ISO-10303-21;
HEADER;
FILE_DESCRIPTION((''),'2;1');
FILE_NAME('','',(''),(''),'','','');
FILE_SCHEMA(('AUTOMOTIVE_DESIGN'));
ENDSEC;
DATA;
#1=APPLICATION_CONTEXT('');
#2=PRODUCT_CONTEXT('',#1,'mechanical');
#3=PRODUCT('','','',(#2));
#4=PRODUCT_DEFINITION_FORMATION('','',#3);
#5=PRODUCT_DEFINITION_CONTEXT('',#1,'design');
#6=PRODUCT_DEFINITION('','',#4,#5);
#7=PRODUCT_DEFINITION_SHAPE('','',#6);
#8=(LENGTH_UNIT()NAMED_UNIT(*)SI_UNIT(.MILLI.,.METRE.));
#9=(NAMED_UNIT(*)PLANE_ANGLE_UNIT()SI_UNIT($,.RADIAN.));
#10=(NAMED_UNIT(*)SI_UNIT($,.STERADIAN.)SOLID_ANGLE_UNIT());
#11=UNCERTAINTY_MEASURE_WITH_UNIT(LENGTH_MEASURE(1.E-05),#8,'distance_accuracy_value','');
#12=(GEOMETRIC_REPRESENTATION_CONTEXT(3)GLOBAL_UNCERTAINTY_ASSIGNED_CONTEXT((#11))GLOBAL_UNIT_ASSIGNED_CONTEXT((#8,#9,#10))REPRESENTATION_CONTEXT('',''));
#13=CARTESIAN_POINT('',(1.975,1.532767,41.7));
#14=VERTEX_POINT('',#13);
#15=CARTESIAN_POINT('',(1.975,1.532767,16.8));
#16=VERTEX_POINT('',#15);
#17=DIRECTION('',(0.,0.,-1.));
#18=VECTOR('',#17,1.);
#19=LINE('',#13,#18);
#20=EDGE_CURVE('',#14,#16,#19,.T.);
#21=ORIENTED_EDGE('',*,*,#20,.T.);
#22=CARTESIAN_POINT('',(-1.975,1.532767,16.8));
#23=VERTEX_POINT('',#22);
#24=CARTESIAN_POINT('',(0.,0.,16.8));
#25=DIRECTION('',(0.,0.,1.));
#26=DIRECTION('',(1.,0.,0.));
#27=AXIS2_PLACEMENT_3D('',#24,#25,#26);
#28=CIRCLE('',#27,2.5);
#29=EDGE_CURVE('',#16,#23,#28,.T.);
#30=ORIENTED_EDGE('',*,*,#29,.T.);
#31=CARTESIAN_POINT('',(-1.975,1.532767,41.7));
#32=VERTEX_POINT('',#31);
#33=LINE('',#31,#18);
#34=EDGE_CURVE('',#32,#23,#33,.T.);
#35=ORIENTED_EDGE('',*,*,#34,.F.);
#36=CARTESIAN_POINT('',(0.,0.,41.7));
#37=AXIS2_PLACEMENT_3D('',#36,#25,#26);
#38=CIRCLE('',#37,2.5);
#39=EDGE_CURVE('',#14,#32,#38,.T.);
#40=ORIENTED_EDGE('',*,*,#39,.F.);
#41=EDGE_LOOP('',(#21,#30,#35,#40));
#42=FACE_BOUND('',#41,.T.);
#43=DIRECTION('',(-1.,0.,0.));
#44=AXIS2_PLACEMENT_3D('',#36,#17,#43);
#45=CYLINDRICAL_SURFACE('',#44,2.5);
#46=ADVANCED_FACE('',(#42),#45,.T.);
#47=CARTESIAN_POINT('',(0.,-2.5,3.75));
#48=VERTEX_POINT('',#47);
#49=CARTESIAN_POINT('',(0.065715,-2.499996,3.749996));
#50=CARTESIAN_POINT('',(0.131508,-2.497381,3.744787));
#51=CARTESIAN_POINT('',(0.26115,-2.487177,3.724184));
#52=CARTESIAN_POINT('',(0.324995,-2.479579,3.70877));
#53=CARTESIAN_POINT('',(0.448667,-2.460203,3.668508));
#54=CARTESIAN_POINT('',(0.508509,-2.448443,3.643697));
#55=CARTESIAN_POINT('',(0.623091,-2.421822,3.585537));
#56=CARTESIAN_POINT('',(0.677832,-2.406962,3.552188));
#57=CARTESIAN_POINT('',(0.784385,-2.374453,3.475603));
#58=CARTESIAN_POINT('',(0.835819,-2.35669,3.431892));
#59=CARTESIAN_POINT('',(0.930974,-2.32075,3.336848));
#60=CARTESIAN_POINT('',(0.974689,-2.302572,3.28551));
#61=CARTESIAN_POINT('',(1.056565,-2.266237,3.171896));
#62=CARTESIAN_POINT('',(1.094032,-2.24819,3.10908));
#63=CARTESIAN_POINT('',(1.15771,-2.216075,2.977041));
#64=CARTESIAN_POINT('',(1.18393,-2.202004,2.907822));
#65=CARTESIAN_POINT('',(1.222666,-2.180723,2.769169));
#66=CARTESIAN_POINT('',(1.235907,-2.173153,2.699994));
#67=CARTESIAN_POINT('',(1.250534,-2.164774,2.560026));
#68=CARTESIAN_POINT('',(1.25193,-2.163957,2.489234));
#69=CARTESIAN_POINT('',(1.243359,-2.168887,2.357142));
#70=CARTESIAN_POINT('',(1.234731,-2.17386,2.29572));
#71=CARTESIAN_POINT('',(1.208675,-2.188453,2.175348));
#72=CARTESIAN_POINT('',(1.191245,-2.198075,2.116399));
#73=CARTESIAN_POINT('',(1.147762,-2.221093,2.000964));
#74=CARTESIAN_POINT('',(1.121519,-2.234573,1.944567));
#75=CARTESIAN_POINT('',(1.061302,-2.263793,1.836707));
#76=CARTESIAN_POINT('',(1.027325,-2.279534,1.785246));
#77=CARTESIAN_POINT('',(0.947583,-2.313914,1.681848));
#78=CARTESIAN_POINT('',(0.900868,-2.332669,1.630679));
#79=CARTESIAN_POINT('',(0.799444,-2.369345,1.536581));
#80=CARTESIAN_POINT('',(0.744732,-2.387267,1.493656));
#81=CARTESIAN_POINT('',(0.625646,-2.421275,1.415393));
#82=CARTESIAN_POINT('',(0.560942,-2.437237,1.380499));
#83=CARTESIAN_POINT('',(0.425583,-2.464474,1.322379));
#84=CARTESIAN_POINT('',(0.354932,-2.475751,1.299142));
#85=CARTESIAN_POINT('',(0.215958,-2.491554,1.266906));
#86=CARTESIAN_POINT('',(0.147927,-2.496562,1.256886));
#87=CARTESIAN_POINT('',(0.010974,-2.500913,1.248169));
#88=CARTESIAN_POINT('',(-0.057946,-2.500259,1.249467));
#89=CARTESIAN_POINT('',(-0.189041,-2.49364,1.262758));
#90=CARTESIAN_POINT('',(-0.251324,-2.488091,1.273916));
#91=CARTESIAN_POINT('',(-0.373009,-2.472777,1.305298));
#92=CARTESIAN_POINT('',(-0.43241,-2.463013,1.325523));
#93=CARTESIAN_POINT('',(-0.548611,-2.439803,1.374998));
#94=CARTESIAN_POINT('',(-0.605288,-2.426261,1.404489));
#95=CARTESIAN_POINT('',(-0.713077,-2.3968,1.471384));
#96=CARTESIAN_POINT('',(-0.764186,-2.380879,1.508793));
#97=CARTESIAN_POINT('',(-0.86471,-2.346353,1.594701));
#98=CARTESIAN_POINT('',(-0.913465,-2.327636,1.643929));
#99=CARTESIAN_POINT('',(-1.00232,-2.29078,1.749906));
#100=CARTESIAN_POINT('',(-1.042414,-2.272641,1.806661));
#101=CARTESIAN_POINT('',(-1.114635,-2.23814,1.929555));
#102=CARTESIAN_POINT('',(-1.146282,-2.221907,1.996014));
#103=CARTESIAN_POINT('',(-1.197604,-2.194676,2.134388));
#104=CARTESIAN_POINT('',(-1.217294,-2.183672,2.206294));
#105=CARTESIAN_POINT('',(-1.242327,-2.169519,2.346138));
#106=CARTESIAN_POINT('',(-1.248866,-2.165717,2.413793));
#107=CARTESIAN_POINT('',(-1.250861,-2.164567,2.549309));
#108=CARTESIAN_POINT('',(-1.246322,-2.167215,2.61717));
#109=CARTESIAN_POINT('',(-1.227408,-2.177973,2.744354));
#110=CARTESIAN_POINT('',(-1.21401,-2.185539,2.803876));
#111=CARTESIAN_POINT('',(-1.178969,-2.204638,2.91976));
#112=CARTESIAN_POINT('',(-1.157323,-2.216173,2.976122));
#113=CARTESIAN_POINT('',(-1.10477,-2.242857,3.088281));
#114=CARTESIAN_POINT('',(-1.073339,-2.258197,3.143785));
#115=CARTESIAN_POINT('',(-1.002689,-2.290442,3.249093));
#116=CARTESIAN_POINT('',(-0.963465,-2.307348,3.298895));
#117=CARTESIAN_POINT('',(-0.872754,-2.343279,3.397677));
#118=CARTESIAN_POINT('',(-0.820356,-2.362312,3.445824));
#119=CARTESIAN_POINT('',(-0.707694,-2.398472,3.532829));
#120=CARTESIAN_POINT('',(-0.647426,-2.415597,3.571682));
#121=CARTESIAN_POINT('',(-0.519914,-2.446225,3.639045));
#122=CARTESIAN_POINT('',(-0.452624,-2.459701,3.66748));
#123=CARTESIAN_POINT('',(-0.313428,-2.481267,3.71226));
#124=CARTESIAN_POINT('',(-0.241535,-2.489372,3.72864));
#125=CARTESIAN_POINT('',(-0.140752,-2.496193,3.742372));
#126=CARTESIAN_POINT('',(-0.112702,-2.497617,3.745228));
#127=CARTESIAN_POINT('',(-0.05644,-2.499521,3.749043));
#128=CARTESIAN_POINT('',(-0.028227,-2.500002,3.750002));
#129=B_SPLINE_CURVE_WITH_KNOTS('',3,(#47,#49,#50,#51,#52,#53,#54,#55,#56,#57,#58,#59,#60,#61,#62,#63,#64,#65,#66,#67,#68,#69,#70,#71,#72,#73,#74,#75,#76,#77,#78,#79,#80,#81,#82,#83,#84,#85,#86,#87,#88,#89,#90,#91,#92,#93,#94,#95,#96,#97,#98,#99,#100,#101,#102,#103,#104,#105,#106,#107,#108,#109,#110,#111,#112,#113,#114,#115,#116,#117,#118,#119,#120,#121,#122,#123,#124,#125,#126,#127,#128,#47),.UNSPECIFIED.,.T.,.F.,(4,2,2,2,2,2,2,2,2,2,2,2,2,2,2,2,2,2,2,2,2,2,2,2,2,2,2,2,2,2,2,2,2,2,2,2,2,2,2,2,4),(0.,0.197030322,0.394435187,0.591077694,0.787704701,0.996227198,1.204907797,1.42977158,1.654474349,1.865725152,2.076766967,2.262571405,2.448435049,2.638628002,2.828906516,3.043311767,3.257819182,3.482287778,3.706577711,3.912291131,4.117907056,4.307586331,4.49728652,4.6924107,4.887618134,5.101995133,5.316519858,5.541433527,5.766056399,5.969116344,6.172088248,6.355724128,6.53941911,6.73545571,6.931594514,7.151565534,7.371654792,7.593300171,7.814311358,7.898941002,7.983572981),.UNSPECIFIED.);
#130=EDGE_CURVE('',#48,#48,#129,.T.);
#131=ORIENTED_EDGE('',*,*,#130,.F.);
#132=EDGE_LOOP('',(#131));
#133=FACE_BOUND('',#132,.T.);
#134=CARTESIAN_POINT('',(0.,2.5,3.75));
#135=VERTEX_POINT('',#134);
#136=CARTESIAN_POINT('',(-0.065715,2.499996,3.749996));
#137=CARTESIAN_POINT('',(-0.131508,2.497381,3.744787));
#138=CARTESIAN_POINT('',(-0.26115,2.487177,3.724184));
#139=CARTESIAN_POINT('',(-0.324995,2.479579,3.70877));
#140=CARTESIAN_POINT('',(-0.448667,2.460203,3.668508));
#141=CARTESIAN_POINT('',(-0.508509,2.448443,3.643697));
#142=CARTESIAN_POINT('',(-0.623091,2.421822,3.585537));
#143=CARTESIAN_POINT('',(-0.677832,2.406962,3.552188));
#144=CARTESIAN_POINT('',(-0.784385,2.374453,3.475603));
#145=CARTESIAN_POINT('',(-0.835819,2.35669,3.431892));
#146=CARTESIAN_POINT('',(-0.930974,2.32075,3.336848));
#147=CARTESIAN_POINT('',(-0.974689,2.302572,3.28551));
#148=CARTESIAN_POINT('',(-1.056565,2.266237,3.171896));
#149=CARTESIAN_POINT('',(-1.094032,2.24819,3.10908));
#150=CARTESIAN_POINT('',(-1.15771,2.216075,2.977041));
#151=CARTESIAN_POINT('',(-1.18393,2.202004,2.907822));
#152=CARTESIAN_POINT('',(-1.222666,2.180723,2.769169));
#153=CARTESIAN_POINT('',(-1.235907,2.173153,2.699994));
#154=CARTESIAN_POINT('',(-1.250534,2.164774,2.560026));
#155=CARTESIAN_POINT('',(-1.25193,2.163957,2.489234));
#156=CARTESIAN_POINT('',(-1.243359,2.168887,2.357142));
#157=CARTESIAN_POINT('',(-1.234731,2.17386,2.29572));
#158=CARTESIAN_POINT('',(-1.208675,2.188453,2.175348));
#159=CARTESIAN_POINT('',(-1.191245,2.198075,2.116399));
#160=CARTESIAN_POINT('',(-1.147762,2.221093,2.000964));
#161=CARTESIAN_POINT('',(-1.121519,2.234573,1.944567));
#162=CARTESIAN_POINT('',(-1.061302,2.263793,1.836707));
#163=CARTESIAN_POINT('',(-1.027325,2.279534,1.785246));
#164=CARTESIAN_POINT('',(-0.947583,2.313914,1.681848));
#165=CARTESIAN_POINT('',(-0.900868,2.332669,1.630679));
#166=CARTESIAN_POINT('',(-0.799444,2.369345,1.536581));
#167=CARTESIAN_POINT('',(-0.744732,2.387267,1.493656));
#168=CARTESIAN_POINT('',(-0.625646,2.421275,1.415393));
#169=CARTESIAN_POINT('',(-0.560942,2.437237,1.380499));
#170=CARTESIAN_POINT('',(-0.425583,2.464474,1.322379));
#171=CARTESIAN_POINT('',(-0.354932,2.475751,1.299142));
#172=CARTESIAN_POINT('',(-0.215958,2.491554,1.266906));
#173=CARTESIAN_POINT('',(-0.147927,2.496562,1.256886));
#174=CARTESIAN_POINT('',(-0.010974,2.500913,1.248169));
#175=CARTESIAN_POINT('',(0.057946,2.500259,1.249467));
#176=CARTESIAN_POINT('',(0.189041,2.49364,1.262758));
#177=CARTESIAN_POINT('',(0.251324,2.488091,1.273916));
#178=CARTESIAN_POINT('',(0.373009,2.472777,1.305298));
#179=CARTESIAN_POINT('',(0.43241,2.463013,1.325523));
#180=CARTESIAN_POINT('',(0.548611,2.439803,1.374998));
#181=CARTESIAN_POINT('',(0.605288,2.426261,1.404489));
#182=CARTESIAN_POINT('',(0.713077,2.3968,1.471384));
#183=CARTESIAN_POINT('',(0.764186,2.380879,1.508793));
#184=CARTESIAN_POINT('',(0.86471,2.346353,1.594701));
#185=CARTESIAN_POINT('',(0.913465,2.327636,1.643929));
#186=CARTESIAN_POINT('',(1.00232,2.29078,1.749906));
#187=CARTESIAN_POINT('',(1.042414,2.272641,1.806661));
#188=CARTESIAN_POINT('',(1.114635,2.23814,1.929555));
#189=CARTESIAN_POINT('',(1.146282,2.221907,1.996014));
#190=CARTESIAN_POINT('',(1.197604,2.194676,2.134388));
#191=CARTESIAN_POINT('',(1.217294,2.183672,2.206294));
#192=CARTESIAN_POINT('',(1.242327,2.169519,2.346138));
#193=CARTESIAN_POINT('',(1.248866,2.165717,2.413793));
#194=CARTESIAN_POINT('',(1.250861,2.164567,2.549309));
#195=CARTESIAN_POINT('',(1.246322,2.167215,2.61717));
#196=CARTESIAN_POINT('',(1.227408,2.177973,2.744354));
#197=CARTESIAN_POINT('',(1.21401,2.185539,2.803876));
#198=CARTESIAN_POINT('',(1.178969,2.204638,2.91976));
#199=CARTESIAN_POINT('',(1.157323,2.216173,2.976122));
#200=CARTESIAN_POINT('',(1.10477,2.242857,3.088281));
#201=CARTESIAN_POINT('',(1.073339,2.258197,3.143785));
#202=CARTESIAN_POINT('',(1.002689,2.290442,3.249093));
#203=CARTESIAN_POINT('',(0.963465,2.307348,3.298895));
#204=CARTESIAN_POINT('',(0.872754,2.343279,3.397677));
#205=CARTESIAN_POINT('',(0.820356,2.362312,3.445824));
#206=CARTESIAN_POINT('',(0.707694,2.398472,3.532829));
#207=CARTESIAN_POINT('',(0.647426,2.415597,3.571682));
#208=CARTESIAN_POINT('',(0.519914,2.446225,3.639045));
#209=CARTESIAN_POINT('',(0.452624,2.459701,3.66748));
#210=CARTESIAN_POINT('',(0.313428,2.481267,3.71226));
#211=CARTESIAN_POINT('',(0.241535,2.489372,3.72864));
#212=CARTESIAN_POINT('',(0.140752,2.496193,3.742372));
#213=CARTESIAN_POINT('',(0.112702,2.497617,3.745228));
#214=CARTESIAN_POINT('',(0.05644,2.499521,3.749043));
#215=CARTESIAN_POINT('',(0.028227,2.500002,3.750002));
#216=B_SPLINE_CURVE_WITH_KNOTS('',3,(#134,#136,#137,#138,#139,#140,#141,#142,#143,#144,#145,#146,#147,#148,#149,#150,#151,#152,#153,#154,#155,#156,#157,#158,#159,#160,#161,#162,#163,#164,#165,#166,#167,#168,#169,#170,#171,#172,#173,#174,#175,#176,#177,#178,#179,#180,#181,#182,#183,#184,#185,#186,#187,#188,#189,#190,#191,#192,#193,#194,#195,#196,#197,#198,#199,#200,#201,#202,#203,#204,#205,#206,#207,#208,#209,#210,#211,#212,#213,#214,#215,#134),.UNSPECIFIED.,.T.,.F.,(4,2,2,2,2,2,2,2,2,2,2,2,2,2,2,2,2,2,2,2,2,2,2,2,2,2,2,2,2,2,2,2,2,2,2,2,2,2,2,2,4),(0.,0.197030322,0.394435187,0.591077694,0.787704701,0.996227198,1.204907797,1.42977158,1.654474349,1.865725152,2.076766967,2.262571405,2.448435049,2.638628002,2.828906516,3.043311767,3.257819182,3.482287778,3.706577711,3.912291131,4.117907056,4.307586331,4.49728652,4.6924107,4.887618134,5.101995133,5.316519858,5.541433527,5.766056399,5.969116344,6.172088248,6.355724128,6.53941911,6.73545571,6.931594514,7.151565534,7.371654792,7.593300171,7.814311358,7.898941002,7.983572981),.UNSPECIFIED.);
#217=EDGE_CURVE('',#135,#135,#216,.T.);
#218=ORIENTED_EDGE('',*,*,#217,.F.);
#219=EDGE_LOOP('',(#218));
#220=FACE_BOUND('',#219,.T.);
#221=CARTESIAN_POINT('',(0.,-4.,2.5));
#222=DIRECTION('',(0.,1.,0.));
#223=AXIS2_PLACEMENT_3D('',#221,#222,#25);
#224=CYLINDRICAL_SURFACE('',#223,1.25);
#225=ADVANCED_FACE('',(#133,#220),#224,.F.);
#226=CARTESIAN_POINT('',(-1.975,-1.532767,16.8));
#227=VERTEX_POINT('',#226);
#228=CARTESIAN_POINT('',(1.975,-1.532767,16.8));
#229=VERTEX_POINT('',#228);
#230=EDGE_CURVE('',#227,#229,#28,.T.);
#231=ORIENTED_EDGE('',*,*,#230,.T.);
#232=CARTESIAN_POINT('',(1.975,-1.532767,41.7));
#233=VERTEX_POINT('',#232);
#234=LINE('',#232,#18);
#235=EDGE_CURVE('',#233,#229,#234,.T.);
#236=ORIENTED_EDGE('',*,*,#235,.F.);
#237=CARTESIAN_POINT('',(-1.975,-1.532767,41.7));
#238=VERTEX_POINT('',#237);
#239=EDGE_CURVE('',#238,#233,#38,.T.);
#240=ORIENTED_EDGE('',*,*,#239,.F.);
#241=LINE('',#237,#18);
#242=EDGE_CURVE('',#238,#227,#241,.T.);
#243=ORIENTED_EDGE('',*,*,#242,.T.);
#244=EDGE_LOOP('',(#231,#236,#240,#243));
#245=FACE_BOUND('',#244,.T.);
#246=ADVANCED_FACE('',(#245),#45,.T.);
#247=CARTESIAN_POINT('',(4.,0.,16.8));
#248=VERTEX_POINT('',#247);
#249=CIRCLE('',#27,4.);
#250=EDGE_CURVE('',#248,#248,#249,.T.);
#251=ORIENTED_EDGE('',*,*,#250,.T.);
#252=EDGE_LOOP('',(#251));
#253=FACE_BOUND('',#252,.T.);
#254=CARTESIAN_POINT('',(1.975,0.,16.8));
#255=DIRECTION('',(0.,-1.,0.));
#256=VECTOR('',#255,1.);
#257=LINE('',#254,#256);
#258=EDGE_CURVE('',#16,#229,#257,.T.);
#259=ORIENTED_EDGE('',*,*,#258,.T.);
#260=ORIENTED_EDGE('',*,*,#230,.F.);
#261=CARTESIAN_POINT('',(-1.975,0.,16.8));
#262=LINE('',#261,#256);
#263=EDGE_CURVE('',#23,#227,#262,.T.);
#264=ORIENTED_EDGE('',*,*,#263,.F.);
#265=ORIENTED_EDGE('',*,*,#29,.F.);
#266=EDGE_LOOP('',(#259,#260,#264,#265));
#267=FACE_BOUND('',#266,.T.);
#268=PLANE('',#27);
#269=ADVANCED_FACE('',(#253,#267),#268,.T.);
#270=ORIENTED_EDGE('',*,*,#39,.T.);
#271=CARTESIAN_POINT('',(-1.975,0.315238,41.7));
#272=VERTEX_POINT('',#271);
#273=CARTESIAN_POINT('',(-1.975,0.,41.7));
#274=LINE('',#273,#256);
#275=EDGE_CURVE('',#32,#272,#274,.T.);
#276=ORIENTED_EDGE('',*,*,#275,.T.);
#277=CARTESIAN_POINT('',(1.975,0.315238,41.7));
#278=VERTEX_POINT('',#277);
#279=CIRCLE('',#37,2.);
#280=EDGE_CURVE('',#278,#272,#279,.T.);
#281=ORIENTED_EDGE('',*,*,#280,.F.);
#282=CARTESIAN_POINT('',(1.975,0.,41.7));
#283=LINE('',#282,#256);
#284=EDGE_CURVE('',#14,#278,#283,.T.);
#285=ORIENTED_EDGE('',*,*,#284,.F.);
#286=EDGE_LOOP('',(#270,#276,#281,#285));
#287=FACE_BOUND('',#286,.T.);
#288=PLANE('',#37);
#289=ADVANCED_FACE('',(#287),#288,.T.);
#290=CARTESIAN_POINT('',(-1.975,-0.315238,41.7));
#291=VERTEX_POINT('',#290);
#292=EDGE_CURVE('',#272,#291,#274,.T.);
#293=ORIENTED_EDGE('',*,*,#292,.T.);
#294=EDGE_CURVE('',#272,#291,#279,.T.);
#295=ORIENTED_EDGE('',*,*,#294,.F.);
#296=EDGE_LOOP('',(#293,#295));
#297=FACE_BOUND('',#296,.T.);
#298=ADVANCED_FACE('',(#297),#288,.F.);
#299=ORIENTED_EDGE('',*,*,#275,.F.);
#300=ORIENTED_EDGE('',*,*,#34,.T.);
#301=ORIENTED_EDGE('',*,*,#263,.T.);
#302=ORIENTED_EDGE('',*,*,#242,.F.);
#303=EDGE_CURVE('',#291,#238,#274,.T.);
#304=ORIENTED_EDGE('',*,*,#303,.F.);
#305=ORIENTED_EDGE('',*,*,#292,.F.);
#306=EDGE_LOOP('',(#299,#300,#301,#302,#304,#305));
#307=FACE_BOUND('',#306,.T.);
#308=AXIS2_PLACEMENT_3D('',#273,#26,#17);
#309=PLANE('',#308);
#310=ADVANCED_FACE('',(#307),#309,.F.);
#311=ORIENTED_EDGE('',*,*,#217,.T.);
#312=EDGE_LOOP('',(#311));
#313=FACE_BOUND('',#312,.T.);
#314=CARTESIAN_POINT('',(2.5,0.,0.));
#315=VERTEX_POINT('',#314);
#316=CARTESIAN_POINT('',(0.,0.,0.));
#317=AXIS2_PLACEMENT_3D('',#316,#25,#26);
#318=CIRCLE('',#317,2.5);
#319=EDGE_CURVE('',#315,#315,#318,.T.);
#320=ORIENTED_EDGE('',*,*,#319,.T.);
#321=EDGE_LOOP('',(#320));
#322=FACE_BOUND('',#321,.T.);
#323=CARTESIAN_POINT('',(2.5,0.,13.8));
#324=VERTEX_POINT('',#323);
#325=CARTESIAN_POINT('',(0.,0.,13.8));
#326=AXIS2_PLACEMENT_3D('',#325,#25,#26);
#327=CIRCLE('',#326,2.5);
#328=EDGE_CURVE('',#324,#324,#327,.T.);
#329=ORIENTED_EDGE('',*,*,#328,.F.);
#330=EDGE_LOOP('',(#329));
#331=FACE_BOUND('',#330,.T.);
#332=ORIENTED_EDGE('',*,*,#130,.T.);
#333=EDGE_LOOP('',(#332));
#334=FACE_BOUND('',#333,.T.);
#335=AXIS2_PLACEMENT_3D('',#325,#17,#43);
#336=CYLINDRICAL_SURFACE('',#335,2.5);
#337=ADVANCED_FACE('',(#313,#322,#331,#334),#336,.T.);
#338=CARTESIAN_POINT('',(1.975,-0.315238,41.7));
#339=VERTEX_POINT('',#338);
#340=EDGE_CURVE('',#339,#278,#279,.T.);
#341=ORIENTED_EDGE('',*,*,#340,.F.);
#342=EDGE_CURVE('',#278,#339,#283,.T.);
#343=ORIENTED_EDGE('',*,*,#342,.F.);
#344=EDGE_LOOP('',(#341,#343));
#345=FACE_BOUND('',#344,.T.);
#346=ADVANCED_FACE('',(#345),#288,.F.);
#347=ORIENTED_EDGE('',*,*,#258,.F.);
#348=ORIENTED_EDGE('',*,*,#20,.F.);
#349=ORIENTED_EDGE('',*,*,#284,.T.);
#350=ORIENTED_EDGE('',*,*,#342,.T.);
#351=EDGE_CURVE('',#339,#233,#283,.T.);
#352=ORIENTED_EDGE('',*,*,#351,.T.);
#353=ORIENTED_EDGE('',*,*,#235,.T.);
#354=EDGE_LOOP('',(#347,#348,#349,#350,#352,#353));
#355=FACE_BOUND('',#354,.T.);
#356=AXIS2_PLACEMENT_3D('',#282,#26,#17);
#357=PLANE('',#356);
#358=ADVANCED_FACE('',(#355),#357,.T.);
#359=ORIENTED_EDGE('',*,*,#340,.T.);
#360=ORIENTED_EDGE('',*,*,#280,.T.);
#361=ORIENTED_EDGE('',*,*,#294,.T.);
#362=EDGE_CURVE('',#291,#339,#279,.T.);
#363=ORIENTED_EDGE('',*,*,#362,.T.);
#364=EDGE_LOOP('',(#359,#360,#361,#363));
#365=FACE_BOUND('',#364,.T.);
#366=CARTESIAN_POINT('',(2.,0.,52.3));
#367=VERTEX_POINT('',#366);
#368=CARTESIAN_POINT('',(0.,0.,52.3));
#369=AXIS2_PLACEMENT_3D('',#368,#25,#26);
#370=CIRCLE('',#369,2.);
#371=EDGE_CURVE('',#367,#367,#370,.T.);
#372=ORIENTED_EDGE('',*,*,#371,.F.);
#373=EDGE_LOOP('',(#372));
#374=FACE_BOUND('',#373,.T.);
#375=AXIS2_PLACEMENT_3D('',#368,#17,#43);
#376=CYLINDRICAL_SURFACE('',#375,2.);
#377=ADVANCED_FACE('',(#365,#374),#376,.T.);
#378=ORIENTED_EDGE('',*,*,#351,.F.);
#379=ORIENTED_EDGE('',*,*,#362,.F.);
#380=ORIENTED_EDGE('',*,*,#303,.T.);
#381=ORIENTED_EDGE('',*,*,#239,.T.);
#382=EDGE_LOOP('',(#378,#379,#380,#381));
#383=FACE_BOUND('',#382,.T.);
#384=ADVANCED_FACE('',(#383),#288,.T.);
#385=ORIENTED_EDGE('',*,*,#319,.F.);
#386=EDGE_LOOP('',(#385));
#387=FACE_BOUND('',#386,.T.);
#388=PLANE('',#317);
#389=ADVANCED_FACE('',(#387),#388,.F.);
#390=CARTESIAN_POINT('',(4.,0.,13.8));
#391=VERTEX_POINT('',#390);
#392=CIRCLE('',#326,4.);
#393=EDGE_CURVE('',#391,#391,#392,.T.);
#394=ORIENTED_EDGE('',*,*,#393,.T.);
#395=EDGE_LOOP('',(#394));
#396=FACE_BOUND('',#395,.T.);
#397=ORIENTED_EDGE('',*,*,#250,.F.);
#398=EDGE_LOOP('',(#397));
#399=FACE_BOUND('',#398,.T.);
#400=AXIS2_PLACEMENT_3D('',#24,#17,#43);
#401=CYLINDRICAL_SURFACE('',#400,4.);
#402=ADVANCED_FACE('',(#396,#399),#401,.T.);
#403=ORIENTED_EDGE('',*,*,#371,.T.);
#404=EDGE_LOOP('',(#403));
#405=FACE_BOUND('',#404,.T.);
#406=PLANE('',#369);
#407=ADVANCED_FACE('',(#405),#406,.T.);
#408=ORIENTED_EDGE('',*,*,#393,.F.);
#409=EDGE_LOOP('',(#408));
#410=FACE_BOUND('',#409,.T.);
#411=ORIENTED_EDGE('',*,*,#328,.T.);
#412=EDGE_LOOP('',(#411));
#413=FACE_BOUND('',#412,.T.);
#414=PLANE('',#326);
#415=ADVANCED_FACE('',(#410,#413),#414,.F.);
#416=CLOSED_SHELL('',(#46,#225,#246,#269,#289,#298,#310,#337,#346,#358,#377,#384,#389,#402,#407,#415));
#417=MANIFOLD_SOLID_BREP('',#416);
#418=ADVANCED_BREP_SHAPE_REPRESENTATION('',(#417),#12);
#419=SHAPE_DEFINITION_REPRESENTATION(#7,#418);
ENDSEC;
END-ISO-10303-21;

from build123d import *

# Parameters (mm, degrees)
SKETCH1_R               = 2.5
BOSS_EXTRUDE1_DEPTH     = 13.8
BOSS_EXTRUDE3_START     = 13.8
SKETCH1_4_R             = 4
BOSS_EXTRUDE3_DEPTH     = 3
BOSS_EXTRUDE2_START     = 16.8
BOSS_EXTRUDE2_DEPTH     = 24.9
SKETCH2_R               = 2
BOSS_EXTRUDE4_DEPTH     = 10.6
SKETCH17_R              = 1.25
CUT_EXTRUDE1_DEPTH      = 53.605037782
CUT_EXTRUDE1_DEPTH_BACK = 53.605037782


with BuildPart() as part:
    # Sketch1 → Boss-Extrude1 (new body)
    with BuildSketch(Plane.XY):
        with Locations(Location((0, 0, 0), (0, 0, 180))):
            Circle(SKETCH1_R)
    extrude(amount=BOSS_EXTRUDE1_DEPTH)

    # Sketch1<4> → Boss-Extrude3 (add)
    with BuildSketch(Plane.XY.offset(BOSS_EXTRUDE3_START)):
        Circle(SKETCH1_4_R)
    extrude(amount=BOSS_EXTRUDE3_DEPTH)

    # Sketch1<3> → Boss-Extrude2 (add)
    with BuildSketch(Plane.XY.offset(BOSS_EXTRUDE2_START)):
        with BuildLine():
            ThreePointArc((0, -2.5), (1.099564058, -2.245207982), (1.975, -1.532767106))
            Line((1.975, -1.532767106), (1.975, 1.532767106))
            ThreePointArc((1.975, 1.532767106), (0, 2.5), (-1.975, 1.532767106))
            Line((-1.975, 1.532767106), (-1.975, -1.532767106))
            ThreePointArc((-1.975, -1.532767106), (-1.099564058, -2.245207982), (0, -2.5))
        make_face()
    extrude(amount=BOSS_EXTRUDE2_DEPTH)

    # Sketch2 → Boss-Extrude4 (add)
    with BuildSketch(Plane.XY.offset(41.7)):
        with Locations(Location((0, 0, 0), (0, 0, 170.931278454))):
            Circle(SKETCH2_R)
    extrude(amount=BOSS_EXTRUDE4_DEPTH)

    # Sketch17 → Cut-Extrude1 (cut, two sides)
    with BuildSketch(Plane(origin=(0, 0, 0), x_dir=(1, 0, 0), z_dir=(0, 1, 0))) as cut_extrude1_sk:
        with Locations(Location((0, -2.5, 0), (0, 0, 270))):
            Circle(SKETCH17_R)
    extrude(amount=CUT_EXTRUDE1_DEPTH, mode=Mode.SUBTRACT)
    extrude(cut_extrude1_sk.sketch, amount=-CUT_EXTRUDE1_DEPTH_BACK, mode=Mode.SUBTRACT)


solid = part.part
